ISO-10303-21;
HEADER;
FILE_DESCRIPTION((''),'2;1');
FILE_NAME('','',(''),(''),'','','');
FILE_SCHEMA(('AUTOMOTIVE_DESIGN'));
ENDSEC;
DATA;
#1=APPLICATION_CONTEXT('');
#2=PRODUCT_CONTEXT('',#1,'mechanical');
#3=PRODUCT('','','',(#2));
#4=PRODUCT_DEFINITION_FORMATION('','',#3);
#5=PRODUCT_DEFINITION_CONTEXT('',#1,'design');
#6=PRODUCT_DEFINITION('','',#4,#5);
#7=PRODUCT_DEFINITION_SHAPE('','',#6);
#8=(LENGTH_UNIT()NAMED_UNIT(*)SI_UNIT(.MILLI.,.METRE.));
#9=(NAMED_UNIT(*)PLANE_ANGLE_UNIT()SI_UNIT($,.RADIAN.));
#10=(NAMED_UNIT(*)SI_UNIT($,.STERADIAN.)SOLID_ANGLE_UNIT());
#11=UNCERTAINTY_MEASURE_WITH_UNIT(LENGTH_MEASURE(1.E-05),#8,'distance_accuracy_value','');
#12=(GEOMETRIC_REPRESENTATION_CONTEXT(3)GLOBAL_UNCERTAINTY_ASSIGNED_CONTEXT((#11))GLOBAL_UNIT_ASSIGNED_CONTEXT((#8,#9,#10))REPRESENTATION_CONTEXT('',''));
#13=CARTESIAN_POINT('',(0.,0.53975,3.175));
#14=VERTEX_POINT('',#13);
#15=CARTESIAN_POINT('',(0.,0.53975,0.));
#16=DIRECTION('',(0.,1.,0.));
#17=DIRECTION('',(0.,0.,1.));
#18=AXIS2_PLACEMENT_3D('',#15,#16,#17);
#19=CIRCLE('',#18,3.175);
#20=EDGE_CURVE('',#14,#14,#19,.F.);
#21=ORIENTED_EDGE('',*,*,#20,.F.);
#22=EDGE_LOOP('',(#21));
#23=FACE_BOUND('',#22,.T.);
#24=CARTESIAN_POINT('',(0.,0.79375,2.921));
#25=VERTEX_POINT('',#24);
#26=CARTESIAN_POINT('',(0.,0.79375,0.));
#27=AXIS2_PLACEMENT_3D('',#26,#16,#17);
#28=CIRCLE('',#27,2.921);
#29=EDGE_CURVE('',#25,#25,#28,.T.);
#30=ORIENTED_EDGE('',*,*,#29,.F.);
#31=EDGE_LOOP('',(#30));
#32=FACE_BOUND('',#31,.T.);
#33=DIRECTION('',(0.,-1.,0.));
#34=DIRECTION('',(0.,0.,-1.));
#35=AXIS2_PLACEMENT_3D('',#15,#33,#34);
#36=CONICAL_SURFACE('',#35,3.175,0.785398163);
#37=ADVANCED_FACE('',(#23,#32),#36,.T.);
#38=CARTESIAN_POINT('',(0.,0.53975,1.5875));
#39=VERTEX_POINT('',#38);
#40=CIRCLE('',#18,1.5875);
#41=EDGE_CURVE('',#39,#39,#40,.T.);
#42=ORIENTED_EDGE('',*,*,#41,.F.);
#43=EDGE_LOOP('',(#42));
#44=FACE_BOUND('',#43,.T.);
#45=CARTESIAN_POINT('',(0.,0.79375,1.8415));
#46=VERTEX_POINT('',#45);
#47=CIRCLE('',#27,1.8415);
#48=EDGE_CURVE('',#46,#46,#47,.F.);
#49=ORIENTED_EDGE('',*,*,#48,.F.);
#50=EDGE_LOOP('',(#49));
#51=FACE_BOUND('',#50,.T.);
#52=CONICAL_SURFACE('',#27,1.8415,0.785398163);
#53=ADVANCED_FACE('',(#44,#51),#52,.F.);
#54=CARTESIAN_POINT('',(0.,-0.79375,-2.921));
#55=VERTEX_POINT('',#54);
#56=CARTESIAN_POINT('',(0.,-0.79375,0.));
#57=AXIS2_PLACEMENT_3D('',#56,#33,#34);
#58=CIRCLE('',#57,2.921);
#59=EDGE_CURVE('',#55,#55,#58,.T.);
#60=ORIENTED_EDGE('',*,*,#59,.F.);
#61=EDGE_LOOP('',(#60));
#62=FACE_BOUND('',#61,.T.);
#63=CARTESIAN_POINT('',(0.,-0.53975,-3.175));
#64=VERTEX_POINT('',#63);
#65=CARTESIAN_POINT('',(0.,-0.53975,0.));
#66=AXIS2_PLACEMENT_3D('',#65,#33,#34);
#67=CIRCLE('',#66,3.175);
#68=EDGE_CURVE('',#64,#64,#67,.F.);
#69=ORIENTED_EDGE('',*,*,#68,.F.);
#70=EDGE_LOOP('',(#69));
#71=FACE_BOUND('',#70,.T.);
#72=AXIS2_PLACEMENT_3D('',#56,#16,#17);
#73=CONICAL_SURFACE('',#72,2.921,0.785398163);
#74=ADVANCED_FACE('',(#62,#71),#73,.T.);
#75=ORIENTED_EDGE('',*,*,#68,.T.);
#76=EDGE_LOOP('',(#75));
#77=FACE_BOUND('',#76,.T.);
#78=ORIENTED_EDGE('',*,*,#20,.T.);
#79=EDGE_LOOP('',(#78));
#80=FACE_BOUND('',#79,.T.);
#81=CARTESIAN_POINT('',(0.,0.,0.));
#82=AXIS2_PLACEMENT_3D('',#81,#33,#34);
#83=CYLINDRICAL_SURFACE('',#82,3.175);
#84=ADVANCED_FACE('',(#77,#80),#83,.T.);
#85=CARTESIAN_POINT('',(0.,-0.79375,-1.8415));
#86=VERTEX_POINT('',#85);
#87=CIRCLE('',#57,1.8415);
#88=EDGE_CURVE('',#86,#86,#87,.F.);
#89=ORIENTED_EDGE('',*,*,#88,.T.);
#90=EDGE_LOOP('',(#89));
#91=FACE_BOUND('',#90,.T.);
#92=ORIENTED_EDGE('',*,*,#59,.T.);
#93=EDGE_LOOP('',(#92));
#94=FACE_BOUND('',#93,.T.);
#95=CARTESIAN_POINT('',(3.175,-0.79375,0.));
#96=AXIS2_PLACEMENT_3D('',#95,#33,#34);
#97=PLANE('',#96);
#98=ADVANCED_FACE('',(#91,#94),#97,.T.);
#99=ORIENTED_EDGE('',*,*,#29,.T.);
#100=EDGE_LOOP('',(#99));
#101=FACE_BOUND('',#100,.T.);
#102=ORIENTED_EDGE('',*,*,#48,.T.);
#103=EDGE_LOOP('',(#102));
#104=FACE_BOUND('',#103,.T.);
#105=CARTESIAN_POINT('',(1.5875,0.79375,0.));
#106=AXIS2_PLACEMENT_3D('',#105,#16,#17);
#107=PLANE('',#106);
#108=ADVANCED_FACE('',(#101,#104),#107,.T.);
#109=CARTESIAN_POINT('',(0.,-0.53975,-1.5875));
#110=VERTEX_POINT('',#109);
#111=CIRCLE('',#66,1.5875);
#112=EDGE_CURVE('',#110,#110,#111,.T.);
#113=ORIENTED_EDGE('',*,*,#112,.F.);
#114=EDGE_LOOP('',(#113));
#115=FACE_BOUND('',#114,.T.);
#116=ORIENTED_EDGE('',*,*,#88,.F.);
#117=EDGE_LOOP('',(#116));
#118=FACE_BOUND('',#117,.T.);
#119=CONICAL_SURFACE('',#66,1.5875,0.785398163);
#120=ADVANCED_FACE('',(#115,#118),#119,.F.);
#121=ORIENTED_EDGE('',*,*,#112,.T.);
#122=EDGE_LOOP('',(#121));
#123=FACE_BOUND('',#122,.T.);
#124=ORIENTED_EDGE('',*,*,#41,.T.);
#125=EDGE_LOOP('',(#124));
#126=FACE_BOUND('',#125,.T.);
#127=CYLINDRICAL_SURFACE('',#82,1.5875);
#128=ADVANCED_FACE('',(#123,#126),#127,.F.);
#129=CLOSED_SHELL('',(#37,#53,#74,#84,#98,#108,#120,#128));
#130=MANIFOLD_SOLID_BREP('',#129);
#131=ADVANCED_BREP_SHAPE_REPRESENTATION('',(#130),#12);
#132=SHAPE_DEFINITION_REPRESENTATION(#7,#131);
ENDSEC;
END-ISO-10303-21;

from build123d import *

# Parameters (mm, degrees)
SKETCH1_W     = 1.5875
SKETCH1_H     = 1.5875
CHAMFER1_SIZE = 0.254


with BuildPart() as part:
    # Sketch1 → Revolve1 (revolve)
    with BuildSketch(Plane.XY):
        with Locations((2.38125, 0)):
            Rectangle(SKETCH1_W, SKETCH1_H)
    revolve(axis=Axis((0, 0, 0), (0, 1, 0)))

    # Chamfer1
    chamfer1_edges = [part.edges().sort_by_distance(p)[0] for p in [
        (-1.5875, -0.79375, 0),
        (-3.175, -0.79375, 0),
        (-3.175, 0.79375, 0),
        (-1.5875, 0.79375, 0),
    ]]
    chamfer(chamfer1_edges, length=CHAMFER1_SIZE)


solid = part.part
